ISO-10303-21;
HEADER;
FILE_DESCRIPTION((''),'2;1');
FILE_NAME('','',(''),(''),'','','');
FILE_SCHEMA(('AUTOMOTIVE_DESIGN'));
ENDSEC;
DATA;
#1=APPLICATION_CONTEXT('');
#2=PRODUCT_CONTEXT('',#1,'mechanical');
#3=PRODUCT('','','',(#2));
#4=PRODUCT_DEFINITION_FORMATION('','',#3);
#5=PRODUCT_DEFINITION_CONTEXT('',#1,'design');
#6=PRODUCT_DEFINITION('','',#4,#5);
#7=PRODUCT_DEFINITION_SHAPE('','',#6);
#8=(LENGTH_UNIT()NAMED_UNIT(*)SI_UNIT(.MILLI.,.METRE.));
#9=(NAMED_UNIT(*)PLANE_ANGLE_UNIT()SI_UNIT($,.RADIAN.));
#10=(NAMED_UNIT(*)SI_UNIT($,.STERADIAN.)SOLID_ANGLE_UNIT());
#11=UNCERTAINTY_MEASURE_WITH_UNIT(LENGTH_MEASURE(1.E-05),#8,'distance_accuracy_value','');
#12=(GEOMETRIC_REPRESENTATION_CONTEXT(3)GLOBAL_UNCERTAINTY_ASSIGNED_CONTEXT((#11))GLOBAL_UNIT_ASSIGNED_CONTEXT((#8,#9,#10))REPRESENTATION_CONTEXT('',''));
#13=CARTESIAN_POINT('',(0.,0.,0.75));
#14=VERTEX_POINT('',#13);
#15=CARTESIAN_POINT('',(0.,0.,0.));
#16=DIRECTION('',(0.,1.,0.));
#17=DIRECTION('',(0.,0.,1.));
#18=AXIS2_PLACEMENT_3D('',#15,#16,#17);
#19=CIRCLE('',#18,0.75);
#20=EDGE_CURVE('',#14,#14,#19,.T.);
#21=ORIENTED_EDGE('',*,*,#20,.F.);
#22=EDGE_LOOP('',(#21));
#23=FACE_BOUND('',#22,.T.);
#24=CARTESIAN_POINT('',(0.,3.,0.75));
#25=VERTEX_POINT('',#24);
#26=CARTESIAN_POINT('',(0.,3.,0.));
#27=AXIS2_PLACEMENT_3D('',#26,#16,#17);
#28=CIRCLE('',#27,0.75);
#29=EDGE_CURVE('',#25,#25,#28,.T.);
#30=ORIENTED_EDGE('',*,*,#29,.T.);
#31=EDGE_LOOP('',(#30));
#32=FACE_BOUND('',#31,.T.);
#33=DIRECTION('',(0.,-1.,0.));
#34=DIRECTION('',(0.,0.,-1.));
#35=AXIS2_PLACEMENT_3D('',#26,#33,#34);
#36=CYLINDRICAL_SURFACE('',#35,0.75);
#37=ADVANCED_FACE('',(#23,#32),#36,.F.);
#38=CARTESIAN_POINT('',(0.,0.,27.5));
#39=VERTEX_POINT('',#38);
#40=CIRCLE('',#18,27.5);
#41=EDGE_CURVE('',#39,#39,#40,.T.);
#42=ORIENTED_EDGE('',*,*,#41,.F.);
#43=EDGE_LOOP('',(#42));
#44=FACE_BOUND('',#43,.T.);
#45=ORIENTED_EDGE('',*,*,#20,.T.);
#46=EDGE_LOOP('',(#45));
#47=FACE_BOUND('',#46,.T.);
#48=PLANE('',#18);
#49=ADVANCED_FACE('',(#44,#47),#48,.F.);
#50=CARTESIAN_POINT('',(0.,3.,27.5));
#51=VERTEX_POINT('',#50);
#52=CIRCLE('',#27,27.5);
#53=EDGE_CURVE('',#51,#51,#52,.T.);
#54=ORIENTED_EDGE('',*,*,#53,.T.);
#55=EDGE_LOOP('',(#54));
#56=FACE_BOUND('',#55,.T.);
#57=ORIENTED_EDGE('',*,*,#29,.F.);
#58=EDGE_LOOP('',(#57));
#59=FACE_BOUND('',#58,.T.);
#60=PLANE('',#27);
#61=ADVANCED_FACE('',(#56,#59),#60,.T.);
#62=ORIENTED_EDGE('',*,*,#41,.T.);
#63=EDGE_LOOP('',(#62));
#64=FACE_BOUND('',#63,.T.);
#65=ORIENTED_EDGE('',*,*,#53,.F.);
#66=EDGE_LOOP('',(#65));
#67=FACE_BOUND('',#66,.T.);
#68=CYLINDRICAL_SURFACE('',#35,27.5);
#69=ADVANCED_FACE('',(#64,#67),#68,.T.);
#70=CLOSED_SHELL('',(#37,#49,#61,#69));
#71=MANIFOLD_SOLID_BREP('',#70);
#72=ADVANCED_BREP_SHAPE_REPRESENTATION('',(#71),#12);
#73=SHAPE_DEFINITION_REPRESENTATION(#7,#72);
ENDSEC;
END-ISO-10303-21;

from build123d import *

# Parameters (mm, degrees)
SKETCH1_R           = 27.5
SKETCH1_R_2         = 0.75
BOSS_EXTRUDE1_DEPTH = 3


with BuildPart() as part:
    # Sketch1 → Boss-Extrude1 (new body)
    with BuildSketch(Plane(origin=(0, 0, 0), x_dir=(1, 0, 0), z_dir=(0, 1, 0))):
        Circle(SKETCH1_R)
        Circle(SKETCH1_R_2, mode=Mode.SUBTRACT)
    extrude(amount=BOSS_EXTRUDE1_DEPTH)


solid = part.part
